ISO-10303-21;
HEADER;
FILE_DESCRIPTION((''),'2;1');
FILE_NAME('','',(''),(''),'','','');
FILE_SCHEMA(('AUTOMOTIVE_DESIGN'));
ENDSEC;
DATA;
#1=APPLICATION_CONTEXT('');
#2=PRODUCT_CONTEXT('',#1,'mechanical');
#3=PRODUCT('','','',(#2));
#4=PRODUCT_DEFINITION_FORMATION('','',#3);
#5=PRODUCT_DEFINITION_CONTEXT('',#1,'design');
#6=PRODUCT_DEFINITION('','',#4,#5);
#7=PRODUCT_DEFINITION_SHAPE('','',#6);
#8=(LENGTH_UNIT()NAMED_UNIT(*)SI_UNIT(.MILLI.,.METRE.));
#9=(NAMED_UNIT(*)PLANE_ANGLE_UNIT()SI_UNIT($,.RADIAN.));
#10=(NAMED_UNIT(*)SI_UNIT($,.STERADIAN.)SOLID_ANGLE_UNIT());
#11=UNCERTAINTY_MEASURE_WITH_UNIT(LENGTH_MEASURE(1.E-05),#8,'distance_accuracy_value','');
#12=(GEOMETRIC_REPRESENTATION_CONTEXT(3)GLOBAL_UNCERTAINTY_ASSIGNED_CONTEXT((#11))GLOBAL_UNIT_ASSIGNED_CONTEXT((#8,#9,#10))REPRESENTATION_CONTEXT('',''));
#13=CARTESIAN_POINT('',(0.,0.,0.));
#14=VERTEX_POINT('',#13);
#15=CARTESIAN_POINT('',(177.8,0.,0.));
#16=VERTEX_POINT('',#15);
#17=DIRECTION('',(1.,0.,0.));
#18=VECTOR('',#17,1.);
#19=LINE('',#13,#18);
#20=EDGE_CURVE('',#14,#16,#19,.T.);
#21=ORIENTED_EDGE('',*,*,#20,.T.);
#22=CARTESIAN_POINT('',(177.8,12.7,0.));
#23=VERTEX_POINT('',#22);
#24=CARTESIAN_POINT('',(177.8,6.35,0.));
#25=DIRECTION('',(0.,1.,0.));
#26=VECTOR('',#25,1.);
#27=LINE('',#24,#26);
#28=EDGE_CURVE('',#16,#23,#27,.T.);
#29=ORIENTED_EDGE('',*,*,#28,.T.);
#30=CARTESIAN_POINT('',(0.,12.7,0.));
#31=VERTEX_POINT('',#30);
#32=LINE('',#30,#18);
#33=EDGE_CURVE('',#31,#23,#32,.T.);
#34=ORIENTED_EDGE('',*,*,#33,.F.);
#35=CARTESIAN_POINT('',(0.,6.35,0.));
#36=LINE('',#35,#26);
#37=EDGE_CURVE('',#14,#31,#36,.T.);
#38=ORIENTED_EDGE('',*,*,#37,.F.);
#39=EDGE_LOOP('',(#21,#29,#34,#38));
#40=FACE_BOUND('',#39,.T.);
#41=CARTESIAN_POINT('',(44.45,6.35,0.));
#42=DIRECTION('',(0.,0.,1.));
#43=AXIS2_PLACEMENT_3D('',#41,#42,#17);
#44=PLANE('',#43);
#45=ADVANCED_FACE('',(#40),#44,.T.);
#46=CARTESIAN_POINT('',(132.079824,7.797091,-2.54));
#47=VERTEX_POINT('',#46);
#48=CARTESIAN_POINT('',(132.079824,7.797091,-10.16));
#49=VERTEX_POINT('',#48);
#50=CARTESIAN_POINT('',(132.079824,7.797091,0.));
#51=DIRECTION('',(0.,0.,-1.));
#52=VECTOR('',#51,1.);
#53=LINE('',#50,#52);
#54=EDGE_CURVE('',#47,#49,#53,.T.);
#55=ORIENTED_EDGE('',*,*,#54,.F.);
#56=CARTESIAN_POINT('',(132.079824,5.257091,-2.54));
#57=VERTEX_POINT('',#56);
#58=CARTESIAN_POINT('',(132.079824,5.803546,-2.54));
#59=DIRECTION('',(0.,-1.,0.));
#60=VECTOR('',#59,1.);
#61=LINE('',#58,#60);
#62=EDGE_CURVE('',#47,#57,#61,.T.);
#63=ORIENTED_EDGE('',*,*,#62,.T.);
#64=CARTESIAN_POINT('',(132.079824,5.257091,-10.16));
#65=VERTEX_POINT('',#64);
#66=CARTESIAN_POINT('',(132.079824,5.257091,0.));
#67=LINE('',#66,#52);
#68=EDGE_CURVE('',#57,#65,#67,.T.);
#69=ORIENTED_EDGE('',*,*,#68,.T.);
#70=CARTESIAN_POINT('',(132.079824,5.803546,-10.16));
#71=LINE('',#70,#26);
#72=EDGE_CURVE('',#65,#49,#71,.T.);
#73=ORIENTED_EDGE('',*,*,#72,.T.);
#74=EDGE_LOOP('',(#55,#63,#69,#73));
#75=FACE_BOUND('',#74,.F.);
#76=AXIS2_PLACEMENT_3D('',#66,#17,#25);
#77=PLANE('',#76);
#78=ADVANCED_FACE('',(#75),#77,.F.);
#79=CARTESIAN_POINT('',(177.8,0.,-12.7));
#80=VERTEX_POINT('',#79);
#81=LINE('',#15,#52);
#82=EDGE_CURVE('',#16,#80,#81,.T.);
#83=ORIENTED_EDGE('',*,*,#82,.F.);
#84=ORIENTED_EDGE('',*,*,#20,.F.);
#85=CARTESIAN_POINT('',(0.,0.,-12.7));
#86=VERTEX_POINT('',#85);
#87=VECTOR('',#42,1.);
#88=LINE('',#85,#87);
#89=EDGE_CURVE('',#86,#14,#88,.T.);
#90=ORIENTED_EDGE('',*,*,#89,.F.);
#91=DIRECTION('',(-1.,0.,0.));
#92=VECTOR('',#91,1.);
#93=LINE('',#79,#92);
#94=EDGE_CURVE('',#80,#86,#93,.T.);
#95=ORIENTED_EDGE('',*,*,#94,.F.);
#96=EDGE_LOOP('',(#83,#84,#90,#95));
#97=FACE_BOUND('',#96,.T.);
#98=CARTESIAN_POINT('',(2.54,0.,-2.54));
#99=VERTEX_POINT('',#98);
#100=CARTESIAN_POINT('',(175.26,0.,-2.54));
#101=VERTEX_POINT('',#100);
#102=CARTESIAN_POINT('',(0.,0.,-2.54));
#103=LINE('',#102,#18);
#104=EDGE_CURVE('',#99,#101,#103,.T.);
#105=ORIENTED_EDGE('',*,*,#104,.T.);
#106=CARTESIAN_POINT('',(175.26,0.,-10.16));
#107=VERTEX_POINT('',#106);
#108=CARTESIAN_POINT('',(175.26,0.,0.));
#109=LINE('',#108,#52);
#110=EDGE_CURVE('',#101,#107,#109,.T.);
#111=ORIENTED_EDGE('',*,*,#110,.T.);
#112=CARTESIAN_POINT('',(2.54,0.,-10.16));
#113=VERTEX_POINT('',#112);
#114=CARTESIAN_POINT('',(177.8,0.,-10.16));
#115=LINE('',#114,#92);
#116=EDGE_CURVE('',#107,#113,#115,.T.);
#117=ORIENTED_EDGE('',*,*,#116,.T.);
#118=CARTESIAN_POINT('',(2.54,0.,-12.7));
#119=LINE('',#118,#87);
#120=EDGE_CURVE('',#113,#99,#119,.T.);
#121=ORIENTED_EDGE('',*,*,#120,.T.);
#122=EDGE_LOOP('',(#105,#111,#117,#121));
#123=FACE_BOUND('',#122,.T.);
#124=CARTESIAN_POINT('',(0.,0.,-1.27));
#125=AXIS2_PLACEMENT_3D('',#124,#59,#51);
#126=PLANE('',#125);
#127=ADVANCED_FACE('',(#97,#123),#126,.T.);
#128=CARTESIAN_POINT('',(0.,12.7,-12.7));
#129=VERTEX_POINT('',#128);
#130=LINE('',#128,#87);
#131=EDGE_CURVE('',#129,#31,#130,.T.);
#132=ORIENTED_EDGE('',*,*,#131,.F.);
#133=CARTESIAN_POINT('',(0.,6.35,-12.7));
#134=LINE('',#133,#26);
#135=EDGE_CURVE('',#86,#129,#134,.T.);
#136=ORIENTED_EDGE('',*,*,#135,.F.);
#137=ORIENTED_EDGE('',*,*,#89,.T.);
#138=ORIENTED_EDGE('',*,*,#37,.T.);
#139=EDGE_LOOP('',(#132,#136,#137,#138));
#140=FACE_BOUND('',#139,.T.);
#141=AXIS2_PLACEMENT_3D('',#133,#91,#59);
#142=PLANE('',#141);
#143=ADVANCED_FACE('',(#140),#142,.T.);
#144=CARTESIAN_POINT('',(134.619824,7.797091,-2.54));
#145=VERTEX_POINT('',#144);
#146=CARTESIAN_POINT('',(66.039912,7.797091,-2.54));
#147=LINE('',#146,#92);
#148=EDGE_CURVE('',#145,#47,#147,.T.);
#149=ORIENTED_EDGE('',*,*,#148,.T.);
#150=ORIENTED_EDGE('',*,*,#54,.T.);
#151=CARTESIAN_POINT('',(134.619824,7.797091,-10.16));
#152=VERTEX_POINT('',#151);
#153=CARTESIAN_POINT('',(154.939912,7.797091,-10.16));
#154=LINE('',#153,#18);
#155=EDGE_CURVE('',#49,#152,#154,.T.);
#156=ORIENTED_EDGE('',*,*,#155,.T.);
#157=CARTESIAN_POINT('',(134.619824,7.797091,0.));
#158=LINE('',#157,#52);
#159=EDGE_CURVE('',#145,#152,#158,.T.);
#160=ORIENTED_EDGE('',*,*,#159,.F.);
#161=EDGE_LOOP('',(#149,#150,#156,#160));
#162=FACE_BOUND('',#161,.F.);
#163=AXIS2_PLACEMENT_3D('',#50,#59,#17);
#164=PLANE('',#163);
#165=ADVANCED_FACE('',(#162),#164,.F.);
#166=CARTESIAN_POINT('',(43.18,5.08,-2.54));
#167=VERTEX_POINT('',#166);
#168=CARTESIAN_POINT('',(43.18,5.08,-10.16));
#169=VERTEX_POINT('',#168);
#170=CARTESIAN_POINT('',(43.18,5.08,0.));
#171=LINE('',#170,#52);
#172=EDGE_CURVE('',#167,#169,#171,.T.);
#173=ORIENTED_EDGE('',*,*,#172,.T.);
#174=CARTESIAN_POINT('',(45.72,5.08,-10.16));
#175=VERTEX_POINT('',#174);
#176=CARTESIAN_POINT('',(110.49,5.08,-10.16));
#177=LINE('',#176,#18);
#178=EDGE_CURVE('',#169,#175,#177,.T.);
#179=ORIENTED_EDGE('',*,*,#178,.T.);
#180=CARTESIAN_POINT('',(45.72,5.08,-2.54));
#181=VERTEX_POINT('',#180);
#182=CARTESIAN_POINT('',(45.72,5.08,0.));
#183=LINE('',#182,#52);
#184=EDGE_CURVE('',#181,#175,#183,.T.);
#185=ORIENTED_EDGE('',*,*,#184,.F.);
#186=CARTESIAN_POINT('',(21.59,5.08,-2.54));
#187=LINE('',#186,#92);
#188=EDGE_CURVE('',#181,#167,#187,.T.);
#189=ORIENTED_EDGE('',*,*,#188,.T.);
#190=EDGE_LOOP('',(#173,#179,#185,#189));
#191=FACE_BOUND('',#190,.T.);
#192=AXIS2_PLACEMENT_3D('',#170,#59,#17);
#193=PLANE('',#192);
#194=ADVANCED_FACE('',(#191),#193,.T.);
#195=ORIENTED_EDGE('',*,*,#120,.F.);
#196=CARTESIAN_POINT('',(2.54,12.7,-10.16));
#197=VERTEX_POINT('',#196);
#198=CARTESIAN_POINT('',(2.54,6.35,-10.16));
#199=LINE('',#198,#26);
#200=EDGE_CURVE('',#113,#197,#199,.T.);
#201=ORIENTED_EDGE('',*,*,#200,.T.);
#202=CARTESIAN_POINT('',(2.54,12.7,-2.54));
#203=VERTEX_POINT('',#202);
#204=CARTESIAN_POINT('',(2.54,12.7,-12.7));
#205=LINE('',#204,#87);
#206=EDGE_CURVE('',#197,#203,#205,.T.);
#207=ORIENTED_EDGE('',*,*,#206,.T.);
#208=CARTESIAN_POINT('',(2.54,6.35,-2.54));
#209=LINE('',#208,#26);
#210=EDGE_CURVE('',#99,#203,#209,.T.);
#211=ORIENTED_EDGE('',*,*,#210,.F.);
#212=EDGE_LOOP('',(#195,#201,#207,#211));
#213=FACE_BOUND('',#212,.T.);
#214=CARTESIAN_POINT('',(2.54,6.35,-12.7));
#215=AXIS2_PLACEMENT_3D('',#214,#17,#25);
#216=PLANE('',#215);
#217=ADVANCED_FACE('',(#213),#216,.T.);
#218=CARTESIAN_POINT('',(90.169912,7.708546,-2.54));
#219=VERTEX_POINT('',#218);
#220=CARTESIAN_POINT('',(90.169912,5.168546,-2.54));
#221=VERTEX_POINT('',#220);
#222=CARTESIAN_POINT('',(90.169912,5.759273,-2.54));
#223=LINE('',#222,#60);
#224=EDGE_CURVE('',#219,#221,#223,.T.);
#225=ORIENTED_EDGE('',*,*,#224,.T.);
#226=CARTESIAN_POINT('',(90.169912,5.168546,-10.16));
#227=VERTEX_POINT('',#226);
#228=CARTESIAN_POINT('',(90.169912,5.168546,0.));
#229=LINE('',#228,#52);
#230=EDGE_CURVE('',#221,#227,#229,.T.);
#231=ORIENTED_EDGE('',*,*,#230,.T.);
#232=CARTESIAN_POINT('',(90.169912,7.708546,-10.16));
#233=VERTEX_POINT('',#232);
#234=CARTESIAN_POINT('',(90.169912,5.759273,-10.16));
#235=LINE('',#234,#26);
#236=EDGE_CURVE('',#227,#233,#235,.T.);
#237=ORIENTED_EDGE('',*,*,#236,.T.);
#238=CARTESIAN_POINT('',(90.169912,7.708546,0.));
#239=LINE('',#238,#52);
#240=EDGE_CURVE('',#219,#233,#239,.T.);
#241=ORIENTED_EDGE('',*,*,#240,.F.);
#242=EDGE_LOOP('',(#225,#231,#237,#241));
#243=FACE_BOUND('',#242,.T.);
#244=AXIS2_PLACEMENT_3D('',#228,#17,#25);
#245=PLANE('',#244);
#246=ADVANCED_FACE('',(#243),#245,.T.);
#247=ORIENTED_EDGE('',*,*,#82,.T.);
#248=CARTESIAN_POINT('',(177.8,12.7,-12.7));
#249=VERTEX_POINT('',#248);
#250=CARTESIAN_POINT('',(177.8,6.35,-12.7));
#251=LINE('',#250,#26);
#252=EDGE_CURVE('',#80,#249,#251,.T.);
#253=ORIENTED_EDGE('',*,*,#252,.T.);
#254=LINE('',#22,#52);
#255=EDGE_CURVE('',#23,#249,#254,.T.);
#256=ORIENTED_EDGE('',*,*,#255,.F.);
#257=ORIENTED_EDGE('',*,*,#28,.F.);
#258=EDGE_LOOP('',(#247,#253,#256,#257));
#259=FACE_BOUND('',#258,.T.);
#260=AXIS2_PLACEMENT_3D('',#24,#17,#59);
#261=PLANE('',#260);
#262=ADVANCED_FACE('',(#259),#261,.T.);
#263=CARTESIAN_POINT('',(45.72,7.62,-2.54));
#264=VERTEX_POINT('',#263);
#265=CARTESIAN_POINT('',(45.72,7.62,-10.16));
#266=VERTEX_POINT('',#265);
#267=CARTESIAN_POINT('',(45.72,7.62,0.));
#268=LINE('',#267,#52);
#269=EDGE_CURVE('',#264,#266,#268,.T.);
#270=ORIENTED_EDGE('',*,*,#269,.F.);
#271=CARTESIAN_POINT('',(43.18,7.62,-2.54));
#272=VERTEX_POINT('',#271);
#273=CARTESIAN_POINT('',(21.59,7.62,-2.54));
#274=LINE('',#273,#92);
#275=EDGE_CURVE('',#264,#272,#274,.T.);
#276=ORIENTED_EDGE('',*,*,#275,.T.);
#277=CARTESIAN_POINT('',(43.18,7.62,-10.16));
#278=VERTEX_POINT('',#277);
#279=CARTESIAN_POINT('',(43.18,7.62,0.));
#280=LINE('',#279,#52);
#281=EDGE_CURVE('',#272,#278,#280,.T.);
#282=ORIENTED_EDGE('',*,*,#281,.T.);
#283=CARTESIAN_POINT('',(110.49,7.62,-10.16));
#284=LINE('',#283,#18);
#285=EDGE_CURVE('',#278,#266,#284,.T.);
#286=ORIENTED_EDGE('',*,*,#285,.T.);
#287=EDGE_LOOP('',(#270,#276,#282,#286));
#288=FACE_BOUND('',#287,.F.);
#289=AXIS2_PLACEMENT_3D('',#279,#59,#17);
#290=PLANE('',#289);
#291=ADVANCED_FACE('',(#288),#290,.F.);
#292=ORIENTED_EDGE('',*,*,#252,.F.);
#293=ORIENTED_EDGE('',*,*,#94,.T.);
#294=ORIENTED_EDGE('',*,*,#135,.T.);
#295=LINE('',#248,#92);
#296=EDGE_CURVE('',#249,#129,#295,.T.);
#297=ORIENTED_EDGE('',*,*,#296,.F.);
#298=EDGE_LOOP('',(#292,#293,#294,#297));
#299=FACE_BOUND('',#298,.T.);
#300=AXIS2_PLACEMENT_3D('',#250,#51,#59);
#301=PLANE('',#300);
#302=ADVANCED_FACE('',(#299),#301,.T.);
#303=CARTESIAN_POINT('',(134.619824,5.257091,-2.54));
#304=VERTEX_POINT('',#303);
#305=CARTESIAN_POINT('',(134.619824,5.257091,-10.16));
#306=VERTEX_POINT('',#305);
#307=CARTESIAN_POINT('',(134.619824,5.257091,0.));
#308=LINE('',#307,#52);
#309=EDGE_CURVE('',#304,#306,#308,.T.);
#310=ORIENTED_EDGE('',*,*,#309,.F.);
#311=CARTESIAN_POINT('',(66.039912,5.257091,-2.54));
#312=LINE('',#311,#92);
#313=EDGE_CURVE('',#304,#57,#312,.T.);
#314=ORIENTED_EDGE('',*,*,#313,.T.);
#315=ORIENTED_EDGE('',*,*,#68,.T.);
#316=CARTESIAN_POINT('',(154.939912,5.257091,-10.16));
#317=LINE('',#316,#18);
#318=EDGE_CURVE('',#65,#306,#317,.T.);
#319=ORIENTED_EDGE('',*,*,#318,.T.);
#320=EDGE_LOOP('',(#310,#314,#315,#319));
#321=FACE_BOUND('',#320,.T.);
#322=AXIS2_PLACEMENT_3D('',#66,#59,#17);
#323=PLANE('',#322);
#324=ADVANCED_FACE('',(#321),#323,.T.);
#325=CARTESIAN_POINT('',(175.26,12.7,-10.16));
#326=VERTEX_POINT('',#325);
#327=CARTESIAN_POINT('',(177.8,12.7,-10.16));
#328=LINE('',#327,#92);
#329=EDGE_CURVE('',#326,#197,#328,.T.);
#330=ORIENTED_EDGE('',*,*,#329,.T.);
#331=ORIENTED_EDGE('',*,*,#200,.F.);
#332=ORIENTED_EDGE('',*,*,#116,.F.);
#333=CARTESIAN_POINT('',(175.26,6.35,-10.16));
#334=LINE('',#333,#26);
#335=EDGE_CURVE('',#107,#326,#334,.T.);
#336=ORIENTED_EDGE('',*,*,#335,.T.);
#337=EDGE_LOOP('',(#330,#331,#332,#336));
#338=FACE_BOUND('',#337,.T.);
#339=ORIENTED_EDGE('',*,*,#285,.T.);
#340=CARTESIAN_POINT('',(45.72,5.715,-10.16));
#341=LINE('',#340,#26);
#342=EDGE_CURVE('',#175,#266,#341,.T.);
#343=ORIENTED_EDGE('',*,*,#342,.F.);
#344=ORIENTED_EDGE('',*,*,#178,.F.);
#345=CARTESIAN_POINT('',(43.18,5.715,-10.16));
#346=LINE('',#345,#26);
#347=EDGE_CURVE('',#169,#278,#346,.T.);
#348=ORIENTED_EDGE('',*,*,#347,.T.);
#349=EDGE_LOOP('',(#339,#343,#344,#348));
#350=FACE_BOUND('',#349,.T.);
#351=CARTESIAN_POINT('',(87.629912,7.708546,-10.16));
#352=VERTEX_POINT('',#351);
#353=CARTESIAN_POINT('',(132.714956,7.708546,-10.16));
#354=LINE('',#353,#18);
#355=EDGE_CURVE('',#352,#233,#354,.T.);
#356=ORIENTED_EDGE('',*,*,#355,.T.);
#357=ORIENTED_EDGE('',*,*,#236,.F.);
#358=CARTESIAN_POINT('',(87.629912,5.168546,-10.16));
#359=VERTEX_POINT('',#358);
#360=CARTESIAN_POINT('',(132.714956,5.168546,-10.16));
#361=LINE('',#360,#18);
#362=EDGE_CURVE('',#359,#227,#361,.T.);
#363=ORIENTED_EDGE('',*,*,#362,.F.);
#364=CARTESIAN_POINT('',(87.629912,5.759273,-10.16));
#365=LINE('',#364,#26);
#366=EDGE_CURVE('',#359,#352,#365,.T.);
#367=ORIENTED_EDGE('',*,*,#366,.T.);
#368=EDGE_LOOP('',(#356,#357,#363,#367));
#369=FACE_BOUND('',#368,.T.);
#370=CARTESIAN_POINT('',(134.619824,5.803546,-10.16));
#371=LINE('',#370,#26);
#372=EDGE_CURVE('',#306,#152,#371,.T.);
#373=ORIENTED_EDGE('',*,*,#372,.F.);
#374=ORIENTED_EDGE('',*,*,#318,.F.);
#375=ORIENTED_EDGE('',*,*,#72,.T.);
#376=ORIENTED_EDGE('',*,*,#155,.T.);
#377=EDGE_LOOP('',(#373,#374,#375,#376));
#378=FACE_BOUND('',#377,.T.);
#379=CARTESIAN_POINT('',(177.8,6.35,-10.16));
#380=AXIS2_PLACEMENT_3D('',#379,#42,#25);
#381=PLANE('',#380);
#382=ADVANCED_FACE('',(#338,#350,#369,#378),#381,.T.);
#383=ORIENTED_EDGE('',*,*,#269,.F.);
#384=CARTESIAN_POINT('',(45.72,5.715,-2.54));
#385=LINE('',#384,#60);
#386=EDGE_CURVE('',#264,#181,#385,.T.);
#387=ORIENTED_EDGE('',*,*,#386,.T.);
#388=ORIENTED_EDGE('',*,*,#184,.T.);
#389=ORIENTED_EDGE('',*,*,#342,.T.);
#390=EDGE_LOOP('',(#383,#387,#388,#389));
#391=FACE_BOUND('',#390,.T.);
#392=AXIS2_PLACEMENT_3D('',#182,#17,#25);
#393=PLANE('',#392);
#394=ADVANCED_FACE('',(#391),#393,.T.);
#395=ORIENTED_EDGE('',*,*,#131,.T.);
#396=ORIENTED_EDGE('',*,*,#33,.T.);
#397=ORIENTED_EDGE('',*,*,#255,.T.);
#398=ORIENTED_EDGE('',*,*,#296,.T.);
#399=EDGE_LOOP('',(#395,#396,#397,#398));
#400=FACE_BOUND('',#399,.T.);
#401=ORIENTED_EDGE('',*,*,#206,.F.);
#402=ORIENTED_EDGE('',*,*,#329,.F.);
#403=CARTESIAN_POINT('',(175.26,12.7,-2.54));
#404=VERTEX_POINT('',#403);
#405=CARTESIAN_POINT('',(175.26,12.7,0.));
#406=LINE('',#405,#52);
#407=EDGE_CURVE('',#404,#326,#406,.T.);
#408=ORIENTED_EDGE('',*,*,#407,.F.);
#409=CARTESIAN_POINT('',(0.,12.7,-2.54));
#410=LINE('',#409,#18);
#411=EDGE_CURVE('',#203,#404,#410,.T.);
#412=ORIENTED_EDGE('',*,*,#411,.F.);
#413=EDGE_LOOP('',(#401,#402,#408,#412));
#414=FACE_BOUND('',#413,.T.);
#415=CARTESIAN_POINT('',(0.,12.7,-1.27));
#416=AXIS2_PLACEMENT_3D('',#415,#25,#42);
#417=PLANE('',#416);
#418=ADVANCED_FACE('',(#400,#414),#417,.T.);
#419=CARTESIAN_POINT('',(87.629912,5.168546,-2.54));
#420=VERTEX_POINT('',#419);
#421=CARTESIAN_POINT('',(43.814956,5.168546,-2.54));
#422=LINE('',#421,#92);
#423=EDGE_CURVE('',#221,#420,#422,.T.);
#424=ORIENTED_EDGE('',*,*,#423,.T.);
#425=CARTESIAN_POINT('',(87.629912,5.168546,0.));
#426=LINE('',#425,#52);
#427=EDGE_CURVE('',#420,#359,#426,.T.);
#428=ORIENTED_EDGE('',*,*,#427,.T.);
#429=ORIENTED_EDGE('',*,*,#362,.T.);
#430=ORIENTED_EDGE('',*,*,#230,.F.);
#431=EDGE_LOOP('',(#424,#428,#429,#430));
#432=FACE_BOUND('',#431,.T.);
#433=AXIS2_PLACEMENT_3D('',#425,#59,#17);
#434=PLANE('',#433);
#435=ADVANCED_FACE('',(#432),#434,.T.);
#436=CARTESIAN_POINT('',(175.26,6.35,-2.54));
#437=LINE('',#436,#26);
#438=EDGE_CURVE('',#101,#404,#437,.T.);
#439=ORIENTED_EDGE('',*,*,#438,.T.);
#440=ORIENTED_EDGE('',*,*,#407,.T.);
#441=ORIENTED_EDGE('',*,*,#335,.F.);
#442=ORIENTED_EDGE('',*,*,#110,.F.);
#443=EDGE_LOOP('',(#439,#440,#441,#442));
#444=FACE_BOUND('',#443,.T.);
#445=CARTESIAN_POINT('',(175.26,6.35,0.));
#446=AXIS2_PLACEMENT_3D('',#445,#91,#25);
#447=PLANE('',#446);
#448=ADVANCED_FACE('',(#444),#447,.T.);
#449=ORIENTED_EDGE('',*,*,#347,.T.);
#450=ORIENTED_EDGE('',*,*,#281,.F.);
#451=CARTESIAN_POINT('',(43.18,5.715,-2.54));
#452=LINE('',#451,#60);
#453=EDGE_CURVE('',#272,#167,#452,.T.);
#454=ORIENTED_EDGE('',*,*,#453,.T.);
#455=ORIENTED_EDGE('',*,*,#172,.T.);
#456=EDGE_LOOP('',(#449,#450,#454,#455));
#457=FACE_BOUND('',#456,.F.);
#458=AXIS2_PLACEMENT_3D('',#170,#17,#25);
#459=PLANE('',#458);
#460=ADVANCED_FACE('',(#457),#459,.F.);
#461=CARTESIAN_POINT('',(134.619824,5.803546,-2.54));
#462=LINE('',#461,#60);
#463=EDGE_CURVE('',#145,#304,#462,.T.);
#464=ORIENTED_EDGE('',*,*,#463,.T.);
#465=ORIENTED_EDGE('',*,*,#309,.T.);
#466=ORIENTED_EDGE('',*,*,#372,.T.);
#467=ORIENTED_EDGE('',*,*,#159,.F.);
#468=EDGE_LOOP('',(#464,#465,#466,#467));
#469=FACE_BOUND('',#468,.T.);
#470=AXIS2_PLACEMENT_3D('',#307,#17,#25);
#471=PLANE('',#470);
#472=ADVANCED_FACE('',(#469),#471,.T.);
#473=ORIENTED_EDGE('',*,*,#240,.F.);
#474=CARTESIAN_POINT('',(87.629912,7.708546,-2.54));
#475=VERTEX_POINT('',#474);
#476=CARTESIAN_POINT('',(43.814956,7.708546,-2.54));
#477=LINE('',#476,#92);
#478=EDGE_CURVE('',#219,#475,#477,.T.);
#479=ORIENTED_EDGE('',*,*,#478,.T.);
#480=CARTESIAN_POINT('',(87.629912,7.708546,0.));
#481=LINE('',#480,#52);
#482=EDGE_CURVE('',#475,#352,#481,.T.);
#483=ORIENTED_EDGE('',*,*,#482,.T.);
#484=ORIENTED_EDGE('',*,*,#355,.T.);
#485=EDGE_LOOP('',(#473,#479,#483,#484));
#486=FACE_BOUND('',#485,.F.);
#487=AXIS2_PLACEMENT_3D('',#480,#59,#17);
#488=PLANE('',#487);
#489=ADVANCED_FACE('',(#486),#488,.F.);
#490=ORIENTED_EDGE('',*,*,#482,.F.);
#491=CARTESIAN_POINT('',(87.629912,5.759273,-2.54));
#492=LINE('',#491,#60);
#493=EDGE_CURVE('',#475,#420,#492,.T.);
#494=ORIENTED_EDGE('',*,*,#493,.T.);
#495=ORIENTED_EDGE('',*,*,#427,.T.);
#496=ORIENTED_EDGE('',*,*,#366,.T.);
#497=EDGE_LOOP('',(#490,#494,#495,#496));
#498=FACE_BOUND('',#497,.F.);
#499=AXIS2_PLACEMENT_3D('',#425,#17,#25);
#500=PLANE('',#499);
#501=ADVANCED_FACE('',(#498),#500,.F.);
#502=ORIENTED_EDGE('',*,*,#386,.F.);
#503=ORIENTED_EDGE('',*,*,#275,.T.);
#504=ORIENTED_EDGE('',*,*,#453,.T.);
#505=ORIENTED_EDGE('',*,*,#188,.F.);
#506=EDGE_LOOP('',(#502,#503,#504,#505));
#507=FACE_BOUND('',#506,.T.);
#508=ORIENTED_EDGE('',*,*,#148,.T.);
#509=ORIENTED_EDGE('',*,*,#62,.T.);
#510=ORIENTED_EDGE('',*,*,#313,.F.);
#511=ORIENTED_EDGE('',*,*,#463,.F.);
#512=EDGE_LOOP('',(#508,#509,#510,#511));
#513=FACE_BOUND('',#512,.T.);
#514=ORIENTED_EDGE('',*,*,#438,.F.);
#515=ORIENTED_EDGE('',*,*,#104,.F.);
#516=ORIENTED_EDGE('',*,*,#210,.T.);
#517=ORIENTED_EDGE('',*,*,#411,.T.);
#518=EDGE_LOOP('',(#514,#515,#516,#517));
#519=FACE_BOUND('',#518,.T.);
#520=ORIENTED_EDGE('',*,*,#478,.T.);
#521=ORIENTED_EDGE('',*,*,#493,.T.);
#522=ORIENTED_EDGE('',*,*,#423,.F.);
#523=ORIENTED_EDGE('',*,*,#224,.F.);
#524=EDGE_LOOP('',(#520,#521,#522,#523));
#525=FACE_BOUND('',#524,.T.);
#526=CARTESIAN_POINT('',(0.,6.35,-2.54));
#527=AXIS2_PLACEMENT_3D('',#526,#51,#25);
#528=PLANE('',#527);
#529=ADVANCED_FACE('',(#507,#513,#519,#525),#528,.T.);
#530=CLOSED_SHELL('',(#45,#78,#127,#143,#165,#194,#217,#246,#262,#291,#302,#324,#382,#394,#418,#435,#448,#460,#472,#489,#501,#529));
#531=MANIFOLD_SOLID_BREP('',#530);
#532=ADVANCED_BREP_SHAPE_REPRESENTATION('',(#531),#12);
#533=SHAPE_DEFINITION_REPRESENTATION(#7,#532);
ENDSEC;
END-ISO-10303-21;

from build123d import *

# Parameters (mm, degrees)
F0_W     = 12.7
F0_H     = 2.54
F3_W     = 2.54
F3_H     = 2.54
F4_DEPTH = 12.7


with BuildPart() as f2:
    # F2: sweep along a path in F1
    with BuildLine(Plane.XZ) as f2_path:
        Line((0, 0), (177.8, 0))
        Line((177.8, 0), (177.8, -12.7))
        Line((177.8, -12.7), (0, -12.7))
        Line((0, -12.7), (0, 0))
    # F0 (on Right) → F2 (sweep)
    with BuildSketch(Plane.YZ):
        with Locations((6.35, -1.27)):
            Rectangle(F0_W, F0_H)
    sweep(path=f2_path.line, transition=Transition.RIGHT)

    # F3 (on Top) → F4 (join)
    with BuildSketch(Plane.XY):
        with Locations((44.45, 6.35)):
            Rectangle(F3_W, F3_H)
        with Locations((88.8999118072, 6.4385456411)):
            Rectangle(F3_W, F3_H)
        with Locations((133.3498236144, 6.5270912821)):
            Rectangle(F3_W, F3_H)
    extrude(amount=-F4_DEPTH)


solid = f2.part
